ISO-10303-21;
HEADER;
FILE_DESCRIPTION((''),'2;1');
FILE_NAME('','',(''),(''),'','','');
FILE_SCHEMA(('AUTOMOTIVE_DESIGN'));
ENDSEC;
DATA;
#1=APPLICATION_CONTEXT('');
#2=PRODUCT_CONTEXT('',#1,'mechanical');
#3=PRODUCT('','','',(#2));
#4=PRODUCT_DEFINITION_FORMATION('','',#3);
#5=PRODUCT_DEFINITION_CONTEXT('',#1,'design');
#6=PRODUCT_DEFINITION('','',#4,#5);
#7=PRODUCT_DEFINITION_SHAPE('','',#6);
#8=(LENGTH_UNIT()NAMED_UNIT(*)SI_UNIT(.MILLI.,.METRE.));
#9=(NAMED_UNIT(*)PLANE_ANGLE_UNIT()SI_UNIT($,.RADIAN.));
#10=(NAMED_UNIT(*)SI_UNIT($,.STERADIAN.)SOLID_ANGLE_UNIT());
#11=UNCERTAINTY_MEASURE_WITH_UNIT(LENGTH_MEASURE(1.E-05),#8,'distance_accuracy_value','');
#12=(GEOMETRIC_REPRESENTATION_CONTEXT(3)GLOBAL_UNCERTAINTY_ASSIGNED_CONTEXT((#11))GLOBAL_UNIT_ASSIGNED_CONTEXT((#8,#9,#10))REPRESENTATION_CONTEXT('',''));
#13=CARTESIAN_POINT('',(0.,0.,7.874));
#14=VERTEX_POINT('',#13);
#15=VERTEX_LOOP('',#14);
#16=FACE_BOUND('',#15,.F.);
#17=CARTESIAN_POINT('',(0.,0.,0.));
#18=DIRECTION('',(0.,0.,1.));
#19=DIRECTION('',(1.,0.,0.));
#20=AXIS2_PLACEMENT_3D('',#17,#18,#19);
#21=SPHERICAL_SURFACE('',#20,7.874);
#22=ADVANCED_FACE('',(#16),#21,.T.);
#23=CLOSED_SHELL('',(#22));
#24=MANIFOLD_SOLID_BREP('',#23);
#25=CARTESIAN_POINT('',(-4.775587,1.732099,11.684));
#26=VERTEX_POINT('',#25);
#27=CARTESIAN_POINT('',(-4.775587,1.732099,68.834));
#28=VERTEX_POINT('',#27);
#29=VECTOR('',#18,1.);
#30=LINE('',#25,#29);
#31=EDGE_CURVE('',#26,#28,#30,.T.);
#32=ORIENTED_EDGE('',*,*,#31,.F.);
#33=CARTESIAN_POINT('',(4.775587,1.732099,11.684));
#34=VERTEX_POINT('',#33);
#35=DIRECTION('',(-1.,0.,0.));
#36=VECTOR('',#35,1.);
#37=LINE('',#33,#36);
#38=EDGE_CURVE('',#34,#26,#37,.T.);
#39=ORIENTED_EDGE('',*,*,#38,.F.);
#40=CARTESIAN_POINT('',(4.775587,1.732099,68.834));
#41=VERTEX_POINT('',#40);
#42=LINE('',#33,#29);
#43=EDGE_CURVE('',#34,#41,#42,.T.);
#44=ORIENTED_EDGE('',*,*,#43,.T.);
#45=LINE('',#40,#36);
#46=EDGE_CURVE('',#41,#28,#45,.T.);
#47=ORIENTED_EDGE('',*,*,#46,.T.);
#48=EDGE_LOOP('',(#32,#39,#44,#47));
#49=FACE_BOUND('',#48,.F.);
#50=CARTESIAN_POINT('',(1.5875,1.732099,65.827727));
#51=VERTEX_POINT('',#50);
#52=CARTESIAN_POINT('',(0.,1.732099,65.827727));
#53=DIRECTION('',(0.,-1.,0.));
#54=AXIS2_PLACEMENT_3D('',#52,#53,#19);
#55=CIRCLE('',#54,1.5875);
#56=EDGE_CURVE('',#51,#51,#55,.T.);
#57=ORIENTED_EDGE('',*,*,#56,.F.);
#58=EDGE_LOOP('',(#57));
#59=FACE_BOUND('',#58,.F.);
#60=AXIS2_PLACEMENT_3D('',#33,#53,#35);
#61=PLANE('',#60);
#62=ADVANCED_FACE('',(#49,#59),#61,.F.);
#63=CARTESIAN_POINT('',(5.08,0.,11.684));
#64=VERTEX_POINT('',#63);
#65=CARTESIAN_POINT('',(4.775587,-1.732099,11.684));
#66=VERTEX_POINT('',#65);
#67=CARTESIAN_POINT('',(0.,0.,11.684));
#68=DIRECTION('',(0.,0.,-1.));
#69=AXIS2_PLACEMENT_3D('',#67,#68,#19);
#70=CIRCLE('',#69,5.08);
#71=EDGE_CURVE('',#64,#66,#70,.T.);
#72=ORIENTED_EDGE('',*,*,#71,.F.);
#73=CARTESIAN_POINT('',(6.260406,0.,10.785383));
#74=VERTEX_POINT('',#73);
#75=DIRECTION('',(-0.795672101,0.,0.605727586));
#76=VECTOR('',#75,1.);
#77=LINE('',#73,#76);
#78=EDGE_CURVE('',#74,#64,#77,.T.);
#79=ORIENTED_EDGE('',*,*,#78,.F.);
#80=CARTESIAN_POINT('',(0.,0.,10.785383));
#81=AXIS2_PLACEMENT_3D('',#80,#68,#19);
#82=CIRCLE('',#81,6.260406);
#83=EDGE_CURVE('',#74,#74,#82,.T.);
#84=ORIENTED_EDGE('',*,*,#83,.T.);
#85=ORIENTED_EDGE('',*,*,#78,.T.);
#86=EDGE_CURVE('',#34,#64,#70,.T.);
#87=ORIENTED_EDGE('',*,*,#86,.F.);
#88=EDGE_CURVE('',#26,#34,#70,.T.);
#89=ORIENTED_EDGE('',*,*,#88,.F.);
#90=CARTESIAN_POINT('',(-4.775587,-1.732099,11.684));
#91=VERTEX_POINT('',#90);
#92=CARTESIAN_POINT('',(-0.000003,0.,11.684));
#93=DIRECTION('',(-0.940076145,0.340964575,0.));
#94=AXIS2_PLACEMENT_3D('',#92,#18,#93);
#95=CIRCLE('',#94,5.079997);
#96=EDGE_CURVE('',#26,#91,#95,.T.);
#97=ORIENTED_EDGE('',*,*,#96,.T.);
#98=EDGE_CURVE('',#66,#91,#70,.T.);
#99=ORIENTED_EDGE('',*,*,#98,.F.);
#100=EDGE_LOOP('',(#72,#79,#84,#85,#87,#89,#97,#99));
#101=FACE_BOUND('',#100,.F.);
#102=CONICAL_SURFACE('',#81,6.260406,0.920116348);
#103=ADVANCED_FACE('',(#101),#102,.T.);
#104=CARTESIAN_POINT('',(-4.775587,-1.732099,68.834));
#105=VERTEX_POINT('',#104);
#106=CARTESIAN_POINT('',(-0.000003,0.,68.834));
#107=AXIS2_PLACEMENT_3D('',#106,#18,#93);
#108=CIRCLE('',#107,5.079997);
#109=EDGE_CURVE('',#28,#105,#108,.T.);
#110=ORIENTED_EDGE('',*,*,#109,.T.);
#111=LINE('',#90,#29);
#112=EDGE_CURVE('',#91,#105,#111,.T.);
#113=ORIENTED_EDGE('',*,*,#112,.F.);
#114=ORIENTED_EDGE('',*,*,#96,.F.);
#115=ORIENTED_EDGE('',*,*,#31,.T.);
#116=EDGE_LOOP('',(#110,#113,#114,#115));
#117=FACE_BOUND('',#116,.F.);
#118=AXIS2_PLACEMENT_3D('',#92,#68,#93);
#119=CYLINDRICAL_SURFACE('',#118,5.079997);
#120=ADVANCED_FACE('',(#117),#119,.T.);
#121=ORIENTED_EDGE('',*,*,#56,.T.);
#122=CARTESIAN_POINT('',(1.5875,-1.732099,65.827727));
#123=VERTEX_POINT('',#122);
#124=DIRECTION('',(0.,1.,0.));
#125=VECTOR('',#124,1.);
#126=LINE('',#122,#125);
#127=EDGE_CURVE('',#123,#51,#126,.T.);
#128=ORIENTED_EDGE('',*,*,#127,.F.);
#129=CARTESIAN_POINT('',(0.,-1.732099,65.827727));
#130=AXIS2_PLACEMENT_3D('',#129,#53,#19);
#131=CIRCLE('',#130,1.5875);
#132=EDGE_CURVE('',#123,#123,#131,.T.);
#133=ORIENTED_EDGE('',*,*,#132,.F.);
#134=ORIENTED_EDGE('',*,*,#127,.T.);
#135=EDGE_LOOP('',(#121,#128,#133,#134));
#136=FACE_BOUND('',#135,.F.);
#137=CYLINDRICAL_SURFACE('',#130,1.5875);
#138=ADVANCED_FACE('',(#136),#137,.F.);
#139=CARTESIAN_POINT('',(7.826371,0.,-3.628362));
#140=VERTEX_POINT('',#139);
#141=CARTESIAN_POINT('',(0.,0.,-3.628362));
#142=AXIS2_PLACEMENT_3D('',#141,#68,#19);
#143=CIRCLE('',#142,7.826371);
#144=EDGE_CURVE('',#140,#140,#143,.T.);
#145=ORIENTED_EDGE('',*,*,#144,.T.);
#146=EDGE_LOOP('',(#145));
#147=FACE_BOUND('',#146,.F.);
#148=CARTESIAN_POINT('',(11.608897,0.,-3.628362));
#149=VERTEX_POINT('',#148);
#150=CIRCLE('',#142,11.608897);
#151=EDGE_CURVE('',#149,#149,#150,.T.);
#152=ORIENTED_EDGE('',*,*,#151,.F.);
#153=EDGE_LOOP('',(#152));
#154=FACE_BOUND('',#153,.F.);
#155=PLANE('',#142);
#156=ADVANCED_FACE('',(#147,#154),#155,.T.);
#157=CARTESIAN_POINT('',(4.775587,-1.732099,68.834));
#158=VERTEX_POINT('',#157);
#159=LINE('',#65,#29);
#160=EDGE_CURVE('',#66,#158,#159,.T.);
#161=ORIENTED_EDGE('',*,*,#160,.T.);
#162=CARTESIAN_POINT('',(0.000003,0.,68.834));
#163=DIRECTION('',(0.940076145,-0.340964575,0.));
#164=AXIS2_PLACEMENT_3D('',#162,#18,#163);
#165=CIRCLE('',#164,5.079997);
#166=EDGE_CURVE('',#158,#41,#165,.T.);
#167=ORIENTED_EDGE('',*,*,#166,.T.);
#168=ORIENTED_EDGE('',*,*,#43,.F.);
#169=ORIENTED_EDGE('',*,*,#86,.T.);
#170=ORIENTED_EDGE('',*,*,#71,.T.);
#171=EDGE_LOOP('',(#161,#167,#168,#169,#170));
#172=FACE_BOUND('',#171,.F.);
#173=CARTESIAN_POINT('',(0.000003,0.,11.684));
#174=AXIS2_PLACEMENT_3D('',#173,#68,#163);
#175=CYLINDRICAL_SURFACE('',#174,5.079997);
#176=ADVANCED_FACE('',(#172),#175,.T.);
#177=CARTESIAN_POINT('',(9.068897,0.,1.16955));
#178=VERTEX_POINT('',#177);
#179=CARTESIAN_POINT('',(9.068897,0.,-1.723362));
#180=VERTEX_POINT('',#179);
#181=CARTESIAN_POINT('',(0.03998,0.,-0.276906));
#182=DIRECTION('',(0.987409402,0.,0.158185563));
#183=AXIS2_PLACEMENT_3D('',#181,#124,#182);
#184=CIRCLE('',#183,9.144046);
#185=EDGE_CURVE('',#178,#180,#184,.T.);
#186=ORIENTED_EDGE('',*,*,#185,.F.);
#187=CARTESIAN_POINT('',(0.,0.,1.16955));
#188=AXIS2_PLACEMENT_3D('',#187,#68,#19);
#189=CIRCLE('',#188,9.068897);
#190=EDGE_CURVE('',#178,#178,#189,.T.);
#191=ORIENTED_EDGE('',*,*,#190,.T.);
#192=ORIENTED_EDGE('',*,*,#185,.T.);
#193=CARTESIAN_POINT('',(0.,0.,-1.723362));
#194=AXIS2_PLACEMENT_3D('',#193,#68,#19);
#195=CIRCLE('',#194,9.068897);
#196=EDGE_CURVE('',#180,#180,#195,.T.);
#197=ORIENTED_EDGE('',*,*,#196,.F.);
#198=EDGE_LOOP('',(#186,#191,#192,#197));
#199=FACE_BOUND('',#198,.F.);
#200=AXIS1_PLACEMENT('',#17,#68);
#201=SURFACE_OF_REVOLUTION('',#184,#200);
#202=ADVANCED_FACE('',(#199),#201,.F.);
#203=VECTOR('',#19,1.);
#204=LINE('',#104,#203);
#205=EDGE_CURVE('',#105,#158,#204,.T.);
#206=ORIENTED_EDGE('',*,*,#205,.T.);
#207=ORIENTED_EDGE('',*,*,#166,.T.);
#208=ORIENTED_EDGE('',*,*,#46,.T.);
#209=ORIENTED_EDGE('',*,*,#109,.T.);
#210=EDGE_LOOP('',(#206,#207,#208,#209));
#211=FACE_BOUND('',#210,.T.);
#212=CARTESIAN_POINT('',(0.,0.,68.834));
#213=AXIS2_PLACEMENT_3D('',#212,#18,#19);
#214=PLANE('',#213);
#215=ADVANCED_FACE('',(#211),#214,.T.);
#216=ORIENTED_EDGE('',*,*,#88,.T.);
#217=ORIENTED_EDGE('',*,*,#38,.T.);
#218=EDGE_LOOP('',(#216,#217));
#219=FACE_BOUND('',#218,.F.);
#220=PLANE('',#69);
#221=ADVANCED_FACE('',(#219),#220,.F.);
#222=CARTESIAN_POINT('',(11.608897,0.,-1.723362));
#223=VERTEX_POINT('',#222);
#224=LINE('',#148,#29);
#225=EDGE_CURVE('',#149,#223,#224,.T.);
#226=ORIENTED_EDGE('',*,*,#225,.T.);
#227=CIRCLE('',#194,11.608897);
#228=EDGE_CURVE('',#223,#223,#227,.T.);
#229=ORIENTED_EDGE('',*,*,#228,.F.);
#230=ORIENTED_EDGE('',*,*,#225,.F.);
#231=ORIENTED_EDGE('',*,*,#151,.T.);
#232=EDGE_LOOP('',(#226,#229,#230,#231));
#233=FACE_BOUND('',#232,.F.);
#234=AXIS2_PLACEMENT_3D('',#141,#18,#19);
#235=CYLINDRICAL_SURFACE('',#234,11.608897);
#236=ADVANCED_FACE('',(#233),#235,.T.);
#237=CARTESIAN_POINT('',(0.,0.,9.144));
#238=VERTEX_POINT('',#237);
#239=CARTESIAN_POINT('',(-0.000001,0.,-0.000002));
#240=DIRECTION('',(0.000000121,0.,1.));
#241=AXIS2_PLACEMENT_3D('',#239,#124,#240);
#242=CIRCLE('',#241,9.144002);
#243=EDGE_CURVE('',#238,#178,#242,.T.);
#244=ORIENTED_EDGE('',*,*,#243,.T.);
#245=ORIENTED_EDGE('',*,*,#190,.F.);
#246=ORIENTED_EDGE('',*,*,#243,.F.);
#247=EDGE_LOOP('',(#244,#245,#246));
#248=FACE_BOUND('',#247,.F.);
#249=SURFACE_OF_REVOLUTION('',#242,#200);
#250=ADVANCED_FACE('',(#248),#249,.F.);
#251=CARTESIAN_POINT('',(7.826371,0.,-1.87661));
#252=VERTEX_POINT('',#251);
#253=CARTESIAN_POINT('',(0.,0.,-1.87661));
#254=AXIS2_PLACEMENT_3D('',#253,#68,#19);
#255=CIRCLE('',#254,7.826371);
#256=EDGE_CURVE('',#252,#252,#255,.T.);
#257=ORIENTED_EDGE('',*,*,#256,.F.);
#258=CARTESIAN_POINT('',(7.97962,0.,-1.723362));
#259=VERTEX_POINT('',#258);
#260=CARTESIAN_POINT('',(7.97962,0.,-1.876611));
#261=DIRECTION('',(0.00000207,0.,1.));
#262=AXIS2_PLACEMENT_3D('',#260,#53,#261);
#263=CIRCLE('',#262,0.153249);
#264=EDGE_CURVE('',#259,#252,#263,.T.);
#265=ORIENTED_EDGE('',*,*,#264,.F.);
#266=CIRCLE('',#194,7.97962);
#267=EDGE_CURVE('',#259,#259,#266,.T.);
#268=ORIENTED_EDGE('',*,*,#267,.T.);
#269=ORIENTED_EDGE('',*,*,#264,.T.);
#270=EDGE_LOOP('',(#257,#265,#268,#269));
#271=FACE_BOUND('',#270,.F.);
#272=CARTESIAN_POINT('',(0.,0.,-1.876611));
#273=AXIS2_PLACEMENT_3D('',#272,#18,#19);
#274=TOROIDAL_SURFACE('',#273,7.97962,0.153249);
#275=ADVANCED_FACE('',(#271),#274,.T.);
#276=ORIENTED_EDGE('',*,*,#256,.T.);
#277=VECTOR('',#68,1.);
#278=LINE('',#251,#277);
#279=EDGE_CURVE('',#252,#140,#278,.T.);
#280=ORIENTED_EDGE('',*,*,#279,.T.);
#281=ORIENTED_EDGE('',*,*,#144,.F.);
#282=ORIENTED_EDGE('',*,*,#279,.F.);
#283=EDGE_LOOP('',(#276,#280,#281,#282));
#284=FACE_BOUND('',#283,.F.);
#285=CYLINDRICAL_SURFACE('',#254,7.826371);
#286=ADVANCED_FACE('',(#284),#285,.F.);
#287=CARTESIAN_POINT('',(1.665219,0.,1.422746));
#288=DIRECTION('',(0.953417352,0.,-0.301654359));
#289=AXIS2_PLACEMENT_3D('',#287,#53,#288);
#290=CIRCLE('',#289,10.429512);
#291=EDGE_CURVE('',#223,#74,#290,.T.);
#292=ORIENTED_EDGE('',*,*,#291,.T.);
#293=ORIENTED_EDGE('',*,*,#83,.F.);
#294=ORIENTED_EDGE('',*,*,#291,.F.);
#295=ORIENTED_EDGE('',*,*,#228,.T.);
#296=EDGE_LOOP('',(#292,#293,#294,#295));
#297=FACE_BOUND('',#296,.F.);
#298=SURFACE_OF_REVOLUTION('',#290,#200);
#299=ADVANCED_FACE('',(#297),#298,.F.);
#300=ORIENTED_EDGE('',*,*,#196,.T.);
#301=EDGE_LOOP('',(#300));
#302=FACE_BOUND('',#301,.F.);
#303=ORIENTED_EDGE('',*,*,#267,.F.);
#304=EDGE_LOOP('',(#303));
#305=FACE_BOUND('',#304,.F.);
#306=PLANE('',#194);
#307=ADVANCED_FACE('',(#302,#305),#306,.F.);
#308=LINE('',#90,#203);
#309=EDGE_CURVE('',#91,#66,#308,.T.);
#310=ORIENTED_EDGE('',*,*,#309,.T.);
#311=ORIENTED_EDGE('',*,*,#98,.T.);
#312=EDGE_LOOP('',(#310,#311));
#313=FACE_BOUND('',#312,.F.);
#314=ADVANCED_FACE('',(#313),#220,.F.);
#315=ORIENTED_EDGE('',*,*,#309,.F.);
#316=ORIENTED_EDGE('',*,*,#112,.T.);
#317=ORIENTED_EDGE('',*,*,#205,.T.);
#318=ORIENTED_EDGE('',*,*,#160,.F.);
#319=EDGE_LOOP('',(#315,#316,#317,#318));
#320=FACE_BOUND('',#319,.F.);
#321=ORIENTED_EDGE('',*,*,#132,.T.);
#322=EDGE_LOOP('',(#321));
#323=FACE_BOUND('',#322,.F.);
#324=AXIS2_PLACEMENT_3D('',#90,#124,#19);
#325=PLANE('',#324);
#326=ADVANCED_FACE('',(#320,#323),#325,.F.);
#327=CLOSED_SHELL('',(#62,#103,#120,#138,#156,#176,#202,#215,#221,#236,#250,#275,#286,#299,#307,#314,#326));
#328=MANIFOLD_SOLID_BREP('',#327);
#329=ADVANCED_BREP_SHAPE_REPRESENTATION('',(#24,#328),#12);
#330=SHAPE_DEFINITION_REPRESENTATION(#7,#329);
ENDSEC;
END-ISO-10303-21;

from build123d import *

# Parameters (mm, degrees)
F3_DEPTH = 57.15
F4_R     = 1.5875
F5_DEPTH = 13.827831


with BuildPart() as f1:
    # F0 (on Front) → F1 (revolve)
    with BuildSketch(Plane.XZ):
        with BuildLine():
            Line((0, 7.874), (0, -7.874))
            ThreePointArc((0, -7.874), (7.874, 0), (0, 7.874))
        make_face()
        with BuildLine():
            ThreePointArc((0, 9.144), (6.038144, 6.866844), (9.068897, 1.16955))
            ThreePointArc((9.068897, 1.16955), (9.184026, -0.276906), (9.068897, -1.723362))
            Line((9.068897, -1.723362), (7.97962, -1.723362))
            ThreePointArc((7.97962, -1.723362), (7.871257, -1.768247), (7.826371, -1.87661))
            Line((7.826371, -1.87661), (7.826371, -3.628362))
            Line((7.826371, -3.628362), (9.068897, -3.628362))
            Line((9.068897, -3.628362), (11.608897, -3.628362))
            Line((11.608897, -3.628362), (11.608897, -1.723362))
            ThreePointArc((11.608897, -1.723362), (11.254892, 5.523099), (6.260406, 10.785383))
            Line((6.260406, 10.785383), (5.08, 11.684))
            Line((5.08, 11.684), (0, 11.684))
            Line((0, 11.684), (0, 9.144))
        make_face()
    revolve(axis=Axis((0, 0, 0), (0, 0, -1)))

    # F2 (on face) → F3 (join)
    with BuildSketch(Plane.XY.offset(11.684)):
        with BuildLine():
            Line((-4.775587, -1.732099), (4.775587, -1.732099))
            ThreePointArc((4.775587, -1.732099), (5.08, 0), (4.775587, 1.732099))
            Line((4.775587, 1.732099), (-4.775587, 1.732099))
            ThreePointArc((-4.775587, 1.732099), (-5.08, 0), (-4.775587, -1.732099))
        make_face()
    extrude(amount=F3_DEPTH)

    # F4 (on face) → F5 (cut, through all)
    with BuildSketch(Plane.XZ.offset(1.732099)):
        with Locations((0, 65.827727)):
            Circle(F4_R)
    extrude(amount=-F5_DEPTH, mode=Mode.SUBTRACT)


solid = f1.part
